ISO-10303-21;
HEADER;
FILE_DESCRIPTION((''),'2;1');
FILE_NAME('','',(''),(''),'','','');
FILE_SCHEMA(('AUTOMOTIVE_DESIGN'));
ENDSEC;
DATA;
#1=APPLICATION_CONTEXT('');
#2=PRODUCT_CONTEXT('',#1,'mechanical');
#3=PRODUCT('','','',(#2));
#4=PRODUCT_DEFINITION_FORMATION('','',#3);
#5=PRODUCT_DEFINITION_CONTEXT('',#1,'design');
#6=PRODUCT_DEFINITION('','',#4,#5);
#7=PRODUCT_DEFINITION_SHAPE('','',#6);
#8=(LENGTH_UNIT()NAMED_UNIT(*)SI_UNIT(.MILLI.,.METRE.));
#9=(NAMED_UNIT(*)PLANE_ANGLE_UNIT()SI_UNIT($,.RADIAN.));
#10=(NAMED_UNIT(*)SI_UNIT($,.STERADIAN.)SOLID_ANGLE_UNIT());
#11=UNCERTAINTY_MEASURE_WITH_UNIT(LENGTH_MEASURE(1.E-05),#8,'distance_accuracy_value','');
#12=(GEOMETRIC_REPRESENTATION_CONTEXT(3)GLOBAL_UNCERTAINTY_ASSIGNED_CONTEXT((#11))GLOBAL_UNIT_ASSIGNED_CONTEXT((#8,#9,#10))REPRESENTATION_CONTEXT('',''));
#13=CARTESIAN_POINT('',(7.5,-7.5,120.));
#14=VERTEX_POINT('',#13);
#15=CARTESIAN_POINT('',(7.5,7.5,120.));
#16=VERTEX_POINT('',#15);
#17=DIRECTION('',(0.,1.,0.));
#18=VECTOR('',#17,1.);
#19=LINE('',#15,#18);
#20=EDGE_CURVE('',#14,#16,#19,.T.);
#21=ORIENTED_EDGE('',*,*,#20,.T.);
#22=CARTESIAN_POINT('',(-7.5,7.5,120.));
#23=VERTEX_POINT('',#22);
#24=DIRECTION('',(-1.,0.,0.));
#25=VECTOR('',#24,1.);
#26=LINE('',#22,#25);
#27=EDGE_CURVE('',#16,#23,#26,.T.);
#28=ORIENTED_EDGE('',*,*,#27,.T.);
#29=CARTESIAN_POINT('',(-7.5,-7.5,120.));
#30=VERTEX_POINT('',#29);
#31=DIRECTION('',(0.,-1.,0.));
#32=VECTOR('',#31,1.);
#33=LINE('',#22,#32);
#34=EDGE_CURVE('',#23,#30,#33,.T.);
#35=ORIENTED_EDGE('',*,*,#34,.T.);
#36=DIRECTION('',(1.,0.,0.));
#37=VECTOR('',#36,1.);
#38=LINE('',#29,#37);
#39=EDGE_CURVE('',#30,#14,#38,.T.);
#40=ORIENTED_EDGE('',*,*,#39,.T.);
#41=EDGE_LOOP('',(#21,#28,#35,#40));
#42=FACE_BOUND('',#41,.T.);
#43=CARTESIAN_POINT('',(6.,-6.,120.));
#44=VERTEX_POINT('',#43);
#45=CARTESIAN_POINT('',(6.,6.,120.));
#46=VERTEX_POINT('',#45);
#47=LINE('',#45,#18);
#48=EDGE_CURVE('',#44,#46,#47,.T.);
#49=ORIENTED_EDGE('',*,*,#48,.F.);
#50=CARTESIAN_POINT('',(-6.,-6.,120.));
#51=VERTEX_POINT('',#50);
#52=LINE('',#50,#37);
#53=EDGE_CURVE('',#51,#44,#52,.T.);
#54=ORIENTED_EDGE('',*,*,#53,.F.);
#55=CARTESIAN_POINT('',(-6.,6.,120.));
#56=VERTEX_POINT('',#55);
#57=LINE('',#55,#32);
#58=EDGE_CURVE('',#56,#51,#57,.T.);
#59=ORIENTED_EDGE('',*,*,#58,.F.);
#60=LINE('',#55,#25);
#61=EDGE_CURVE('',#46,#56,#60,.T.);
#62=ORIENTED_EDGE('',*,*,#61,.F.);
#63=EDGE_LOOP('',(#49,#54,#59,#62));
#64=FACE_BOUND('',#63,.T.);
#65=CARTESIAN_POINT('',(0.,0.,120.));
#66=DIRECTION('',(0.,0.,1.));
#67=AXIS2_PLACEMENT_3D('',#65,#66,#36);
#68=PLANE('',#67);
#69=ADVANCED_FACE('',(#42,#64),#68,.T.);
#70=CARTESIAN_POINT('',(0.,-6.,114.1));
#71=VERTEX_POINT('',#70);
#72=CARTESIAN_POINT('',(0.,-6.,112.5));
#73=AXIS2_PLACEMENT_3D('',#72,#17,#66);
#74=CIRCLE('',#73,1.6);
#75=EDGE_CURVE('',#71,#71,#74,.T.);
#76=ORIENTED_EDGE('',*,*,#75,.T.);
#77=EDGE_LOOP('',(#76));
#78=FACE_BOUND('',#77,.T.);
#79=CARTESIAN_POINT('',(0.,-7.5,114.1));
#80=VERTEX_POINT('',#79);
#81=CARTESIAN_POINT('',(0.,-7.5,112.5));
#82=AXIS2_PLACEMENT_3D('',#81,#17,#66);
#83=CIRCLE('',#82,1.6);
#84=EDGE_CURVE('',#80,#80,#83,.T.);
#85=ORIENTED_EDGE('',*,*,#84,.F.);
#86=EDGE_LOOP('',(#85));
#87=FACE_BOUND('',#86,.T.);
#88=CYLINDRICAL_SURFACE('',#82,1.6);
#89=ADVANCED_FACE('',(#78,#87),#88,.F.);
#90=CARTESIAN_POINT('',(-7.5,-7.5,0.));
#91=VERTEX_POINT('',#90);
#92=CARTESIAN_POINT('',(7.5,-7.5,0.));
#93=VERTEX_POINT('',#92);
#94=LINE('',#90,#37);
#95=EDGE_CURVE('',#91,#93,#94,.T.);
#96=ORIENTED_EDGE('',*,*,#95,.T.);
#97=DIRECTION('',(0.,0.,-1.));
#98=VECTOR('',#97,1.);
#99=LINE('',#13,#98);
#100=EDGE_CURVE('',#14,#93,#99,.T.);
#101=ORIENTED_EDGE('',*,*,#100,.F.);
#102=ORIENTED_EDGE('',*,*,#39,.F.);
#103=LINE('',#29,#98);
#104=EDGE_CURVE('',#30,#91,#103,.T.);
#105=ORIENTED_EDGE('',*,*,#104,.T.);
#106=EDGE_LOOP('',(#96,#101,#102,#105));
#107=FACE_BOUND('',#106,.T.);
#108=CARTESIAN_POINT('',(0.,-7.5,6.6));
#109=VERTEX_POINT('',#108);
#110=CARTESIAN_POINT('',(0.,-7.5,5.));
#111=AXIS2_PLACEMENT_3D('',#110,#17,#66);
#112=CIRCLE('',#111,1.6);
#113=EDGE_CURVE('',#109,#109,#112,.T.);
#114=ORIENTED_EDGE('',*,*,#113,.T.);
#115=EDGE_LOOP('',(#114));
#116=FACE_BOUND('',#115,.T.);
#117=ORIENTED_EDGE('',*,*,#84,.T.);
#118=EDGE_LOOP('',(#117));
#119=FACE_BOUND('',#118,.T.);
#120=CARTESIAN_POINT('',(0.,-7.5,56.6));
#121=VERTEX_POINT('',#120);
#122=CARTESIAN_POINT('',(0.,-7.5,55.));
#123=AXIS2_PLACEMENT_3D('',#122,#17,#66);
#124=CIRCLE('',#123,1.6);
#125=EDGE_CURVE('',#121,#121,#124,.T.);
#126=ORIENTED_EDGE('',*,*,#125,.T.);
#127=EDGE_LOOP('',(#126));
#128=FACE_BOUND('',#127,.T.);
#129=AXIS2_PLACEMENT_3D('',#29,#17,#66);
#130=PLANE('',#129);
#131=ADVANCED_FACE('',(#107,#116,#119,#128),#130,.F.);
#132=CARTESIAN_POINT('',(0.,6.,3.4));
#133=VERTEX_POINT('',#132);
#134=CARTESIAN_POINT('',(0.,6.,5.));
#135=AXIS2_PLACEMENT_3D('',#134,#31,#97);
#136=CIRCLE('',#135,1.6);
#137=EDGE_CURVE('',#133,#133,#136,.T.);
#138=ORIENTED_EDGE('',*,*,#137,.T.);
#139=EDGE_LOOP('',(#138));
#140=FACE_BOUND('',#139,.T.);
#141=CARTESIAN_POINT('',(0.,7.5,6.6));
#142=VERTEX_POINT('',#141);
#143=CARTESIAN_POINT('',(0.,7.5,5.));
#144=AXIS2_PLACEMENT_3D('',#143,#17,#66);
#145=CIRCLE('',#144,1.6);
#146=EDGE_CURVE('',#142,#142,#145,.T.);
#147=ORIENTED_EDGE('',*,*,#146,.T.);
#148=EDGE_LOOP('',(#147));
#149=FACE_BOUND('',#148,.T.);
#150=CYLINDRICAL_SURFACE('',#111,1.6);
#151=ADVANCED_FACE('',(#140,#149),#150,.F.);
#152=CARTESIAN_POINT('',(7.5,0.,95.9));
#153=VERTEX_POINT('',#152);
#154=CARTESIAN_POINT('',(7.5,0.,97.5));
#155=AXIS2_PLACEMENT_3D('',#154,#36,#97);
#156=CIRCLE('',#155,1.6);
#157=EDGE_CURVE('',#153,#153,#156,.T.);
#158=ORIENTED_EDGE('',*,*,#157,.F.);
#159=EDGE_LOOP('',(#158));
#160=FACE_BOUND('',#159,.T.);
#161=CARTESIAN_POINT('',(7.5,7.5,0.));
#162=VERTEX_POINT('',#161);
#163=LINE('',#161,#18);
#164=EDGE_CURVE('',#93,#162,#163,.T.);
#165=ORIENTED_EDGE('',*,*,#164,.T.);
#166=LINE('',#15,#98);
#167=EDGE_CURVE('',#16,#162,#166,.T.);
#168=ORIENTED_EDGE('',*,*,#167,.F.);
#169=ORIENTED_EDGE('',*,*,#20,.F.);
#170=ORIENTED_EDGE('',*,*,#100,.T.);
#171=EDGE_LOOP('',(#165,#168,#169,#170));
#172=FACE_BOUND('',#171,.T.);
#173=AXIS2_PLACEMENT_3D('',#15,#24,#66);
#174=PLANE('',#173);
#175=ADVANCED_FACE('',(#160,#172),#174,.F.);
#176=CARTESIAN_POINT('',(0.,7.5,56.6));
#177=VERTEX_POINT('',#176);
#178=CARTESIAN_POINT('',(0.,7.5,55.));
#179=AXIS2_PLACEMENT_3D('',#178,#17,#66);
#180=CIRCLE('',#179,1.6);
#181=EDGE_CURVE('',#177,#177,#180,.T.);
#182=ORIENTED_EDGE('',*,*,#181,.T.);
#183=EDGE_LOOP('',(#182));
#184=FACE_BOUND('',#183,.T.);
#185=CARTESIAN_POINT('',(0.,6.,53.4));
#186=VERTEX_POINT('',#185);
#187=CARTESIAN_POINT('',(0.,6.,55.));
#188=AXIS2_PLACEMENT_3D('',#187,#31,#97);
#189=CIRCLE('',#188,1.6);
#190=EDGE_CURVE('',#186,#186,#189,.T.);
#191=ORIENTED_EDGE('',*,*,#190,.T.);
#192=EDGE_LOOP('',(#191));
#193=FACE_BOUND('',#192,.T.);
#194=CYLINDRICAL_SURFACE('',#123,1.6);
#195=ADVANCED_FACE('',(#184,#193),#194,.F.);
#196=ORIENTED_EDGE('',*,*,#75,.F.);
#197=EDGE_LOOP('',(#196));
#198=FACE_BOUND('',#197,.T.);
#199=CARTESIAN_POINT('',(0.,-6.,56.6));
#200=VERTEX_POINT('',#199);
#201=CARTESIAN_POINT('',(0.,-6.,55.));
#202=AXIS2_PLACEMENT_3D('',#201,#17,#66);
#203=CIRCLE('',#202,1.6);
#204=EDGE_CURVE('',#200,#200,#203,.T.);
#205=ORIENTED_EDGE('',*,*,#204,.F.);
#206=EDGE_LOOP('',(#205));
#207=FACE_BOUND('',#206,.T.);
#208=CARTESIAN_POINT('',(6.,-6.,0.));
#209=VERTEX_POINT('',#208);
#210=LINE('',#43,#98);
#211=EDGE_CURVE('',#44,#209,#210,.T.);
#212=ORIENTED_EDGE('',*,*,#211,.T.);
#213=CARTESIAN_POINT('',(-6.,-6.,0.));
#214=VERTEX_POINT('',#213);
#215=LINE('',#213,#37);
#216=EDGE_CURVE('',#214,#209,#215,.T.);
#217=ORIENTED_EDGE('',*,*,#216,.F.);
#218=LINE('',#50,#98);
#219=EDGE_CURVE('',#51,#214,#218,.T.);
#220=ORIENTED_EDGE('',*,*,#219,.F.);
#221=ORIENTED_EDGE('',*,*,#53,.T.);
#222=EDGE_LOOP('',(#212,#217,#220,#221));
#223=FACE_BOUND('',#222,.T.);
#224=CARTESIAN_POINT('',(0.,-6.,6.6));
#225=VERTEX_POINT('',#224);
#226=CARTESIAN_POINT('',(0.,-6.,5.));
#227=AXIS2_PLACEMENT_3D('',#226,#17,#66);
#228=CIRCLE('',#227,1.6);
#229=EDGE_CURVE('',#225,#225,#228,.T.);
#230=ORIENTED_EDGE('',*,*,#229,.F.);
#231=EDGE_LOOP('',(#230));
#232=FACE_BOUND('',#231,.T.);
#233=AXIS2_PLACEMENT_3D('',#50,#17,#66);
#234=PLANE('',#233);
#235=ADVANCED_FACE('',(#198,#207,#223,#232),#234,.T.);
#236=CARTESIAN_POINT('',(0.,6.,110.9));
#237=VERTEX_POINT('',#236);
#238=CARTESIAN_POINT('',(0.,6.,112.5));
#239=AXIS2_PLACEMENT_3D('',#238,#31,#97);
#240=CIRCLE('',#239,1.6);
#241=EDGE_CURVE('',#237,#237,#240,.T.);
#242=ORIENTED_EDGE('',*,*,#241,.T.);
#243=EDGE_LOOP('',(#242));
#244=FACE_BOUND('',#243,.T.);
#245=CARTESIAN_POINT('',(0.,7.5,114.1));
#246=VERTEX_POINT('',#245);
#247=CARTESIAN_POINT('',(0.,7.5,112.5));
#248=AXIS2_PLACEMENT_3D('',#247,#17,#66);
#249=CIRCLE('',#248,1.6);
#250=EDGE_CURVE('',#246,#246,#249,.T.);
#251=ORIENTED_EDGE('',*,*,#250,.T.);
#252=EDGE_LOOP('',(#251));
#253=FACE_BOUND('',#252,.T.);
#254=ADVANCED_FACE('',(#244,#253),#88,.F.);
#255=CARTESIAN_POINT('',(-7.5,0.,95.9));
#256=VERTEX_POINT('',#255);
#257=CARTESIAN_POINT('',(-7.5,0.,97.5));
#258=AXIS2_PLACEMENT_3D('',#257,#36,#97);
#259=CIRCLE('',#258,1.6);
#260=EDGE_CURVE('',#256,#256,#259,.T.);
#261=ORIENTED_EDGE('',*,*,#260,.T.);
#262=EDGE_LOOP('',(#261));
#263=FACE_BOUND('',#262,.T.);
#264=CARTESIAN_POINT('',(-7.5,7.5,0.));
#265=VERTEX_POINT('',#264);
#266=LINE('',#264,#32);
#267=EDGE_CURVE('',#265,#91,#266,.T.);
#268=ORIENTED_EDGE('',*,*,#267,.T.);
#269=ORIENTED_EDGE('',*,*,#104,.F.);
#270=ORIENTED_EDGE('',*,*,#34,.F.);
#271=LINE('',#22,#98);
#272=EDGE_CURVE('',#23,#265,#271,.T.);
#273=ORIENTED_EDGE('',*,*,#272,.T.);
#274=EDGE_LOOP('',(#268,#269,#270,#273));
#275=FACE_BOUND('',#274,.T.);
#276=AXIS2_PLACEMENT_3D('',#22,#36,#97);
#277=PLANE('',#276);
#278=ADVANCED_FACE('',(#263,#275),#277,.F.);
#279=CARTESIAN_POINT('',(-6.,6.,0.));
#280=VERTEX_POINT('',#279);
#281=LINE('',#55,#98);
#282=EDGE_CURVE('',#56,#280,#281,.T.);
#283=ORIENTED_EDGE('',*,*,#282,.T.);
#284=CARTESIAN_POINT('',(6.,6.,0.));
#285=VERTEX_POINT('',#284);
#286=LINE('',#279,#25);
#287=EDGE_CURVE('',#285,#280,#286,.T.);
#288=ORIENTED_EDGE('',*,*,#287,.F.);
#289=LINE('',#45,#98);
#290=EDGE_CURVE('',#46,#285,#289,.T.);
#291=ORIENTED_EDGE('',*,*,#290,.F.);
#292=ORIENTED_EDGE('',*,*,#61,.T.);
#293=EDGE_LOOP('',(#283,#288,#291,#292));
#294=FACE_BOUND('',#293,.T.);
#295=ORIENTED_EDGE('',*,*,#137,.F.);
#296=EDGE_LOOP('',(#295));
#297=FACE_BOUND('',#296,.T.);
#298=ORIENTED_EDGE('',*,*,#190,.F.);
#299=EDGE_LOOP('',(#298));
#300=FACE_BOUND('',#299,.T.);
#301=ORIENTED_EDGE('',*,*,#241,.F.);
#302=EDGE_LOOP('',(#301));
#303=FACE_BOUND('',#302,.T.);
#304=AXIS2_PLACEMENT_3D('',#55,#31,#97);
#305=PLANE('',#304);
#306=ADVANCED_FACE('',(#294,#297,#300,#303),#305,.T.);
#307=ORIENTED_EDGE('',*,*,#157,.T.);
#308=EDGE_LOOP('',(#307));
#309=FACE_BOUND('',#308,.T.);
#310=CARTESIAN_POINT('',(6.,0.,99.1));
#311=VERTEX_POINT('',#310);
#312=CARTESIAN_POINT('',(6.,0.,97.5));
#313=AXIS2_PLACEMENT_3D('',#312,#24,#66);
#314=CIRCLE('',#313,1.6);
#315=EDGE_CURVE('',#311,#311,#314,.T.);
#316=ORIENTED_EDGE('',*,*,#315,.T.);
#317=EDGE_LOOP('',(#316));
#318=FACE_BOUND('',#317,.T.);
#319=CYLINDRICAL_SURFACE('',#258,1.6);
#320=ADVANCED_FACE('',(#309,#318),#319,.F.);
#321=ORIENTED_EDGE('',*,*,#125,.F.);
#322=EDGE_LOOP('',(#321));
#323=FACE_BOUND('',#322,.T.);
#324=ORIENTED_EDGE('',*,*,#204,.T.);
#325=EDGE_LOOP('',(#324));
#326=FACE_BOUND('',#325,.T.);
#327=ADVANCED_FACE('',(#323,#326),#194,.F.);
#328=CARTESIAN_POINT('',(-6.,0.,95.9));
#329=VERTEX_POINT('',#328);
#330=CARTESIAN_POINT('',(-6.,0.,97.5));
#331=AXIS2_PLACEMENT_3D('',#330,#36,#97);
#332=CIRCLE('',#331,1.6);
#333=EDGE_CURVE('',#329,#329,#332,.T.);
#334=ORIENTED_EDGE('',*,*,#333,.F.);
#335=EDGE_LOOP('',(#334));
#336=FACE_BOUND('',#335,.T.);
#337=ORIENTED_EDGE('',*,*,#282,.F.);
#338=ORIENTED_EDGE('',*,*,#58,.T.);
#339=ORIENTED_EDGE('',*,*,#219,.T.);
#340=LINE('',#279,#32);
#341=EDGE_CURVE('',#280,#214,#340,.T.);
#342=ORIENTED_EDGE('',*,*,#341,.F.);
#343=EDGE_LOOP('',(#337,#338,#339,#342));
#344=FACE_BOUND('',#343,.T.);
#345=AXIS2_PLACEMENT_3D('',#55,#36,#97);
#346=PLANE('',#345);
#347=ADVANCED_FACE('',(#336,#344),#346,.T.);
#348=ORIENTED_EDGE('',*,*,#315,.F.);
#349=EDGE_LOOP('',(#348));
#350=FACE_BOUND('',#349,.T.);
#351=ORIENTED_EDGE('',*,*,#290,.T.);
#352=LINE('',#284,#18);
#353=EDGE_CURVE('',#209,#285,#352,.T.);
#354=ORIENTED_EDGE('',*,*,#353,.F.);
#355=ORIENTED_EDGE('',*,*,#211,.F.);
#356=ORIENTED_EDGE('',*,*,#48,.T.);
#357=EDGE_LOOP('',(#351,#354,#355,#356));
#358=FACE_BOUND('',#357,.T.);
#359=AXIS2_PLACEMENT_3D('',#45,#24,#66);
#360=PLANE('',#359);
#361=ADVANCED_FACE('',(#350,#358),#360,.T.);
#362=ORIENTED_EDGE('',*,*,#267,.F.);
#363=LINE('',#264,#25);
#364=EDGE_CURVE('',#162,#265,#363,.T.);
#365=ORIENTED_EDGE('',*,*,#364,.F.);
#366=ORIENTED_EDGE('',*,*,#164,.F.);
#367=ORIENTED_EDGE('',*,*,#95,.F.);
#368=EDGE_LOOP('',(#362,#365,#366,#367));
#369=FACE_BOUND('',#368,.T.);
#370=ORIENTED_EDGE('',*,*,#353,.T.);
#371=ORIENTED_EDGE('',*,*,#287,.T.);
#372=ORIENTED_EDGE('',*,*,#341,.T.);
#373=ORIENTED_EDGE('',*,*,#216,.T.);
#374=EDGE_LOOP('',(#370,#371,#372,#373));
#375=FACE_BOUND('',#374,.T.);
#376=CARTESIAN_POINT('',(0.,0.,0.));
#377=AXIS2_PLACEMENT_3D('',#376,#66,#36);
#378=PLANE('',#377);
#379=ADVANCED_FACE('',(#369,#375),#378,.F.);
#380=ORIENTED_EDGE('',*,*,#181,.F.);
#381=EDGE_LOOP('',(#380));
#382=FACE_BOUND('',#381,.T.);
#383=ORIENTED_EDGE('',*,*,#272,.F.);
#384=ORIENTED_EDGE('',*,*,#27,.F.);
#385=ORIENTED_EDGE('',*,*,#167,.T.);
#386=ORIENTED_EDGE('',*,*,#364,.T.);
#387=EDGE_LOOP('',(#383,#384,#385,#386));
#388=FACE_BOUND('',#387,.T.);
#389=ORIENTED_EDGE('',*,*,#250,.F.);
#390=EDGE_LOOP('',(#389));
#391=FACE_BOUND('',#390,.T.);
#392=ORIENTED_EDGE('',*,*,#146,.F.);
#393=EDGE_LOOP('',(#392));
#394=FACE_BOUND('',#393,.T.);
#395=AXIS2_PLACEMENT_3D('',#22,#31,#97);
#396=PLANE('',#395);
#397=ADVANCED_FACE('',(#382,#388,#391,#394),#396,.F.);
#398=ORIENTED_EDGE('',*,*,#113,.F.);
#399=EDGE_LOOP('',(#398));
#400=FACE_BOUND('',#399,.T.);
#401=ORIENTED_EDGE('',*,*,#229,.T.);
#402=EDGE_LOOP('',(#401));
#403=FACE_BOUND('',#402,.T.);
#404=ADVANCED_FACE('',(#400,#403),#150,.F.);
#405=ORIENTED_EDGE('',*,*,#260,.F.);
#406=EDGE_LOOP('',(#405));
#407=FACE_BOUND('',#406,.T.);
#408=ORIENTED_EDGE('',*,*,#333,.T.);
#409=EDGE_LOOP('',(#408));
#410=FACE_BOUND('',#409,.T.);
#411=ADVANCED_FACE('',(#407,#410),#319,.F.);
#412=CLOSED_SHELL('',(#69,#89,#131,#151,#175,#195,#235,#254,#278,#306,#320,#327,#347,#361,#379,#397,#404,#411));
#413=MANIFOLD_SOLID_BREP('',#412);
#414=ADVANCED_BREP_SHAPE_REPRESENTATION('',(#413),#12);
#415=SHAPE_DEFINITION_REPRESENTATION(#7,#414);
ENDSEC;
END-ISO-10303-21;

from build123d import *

# Parameters (mm, degrees)
SKETCH_1_W          = 15
SKETCH_1_H          = 15
SKETCH_1_W_2        = 12
SKETCH_1_H_2        = 12
EXTRUDE_1_DEPTH     = 120
SKETCH_2_R          = 1.6
CUT_EXTRUDE_1_DEPTH = 122.166208161
SKETCH_3_R          = 1.6
CUT_EXTRUDE_2_DEPTH = 122.166208161


with BuildPart() as part:
    # ｽｹｯﾁ1 → ﾎﾞｽ - 押し出し1 (new body)
    with BuildSketch(Plane.XY):
        Rectangle(SKETCH_1_W, SKETCH_1_H)
        Rectangle(SKETCH_1_W_2, SKETCH_1_H_2, mode=Mode.SUBTRACT)
    extrude(amount=EXTRUDE_1_DEPTH)

    # ｽｹｯﾁ2 → ｶｯﾄ - 押し出し1 (cut, through all)
    with BuildSketch(Plane(origin=(0, 7.5, 0), x_dir=(1, 0, 0), z_dir=(0, 1, 0))):
        with Locations(Location((0, -5, 0), (0, 0, 270))):
            Circle(SKETCH_2_R)
        with Locations(Location((0, -112.5, 0), (0, 0, 270))):
            Circle(SKETCH_2_R)
        with Locations(Location((0, -55, 0), (0, 0, 270))):
            Circle(SKETCH_2_R)
    extrude(amount=-CUT_EXTRUDE_1_DEPTH, mode=Mode.SUBTRACT)

    # ｽｹｯﾁ3 → ｶｯﾄ - 押し出し2 (cut, through all)
    with BuildSketch(Plane(origin=(7.5, 0, 0), x_dir=(0, 0, -1), z_dir=(1, 0, 0))):
        with Locations((-97.5, 0)):
            Circle(SKETCH_3_R)
    extrude(amount=-CUT_EXTRUDE_2_DEPTH, mode=Mode.SUBTRACT)


solid = part.part
